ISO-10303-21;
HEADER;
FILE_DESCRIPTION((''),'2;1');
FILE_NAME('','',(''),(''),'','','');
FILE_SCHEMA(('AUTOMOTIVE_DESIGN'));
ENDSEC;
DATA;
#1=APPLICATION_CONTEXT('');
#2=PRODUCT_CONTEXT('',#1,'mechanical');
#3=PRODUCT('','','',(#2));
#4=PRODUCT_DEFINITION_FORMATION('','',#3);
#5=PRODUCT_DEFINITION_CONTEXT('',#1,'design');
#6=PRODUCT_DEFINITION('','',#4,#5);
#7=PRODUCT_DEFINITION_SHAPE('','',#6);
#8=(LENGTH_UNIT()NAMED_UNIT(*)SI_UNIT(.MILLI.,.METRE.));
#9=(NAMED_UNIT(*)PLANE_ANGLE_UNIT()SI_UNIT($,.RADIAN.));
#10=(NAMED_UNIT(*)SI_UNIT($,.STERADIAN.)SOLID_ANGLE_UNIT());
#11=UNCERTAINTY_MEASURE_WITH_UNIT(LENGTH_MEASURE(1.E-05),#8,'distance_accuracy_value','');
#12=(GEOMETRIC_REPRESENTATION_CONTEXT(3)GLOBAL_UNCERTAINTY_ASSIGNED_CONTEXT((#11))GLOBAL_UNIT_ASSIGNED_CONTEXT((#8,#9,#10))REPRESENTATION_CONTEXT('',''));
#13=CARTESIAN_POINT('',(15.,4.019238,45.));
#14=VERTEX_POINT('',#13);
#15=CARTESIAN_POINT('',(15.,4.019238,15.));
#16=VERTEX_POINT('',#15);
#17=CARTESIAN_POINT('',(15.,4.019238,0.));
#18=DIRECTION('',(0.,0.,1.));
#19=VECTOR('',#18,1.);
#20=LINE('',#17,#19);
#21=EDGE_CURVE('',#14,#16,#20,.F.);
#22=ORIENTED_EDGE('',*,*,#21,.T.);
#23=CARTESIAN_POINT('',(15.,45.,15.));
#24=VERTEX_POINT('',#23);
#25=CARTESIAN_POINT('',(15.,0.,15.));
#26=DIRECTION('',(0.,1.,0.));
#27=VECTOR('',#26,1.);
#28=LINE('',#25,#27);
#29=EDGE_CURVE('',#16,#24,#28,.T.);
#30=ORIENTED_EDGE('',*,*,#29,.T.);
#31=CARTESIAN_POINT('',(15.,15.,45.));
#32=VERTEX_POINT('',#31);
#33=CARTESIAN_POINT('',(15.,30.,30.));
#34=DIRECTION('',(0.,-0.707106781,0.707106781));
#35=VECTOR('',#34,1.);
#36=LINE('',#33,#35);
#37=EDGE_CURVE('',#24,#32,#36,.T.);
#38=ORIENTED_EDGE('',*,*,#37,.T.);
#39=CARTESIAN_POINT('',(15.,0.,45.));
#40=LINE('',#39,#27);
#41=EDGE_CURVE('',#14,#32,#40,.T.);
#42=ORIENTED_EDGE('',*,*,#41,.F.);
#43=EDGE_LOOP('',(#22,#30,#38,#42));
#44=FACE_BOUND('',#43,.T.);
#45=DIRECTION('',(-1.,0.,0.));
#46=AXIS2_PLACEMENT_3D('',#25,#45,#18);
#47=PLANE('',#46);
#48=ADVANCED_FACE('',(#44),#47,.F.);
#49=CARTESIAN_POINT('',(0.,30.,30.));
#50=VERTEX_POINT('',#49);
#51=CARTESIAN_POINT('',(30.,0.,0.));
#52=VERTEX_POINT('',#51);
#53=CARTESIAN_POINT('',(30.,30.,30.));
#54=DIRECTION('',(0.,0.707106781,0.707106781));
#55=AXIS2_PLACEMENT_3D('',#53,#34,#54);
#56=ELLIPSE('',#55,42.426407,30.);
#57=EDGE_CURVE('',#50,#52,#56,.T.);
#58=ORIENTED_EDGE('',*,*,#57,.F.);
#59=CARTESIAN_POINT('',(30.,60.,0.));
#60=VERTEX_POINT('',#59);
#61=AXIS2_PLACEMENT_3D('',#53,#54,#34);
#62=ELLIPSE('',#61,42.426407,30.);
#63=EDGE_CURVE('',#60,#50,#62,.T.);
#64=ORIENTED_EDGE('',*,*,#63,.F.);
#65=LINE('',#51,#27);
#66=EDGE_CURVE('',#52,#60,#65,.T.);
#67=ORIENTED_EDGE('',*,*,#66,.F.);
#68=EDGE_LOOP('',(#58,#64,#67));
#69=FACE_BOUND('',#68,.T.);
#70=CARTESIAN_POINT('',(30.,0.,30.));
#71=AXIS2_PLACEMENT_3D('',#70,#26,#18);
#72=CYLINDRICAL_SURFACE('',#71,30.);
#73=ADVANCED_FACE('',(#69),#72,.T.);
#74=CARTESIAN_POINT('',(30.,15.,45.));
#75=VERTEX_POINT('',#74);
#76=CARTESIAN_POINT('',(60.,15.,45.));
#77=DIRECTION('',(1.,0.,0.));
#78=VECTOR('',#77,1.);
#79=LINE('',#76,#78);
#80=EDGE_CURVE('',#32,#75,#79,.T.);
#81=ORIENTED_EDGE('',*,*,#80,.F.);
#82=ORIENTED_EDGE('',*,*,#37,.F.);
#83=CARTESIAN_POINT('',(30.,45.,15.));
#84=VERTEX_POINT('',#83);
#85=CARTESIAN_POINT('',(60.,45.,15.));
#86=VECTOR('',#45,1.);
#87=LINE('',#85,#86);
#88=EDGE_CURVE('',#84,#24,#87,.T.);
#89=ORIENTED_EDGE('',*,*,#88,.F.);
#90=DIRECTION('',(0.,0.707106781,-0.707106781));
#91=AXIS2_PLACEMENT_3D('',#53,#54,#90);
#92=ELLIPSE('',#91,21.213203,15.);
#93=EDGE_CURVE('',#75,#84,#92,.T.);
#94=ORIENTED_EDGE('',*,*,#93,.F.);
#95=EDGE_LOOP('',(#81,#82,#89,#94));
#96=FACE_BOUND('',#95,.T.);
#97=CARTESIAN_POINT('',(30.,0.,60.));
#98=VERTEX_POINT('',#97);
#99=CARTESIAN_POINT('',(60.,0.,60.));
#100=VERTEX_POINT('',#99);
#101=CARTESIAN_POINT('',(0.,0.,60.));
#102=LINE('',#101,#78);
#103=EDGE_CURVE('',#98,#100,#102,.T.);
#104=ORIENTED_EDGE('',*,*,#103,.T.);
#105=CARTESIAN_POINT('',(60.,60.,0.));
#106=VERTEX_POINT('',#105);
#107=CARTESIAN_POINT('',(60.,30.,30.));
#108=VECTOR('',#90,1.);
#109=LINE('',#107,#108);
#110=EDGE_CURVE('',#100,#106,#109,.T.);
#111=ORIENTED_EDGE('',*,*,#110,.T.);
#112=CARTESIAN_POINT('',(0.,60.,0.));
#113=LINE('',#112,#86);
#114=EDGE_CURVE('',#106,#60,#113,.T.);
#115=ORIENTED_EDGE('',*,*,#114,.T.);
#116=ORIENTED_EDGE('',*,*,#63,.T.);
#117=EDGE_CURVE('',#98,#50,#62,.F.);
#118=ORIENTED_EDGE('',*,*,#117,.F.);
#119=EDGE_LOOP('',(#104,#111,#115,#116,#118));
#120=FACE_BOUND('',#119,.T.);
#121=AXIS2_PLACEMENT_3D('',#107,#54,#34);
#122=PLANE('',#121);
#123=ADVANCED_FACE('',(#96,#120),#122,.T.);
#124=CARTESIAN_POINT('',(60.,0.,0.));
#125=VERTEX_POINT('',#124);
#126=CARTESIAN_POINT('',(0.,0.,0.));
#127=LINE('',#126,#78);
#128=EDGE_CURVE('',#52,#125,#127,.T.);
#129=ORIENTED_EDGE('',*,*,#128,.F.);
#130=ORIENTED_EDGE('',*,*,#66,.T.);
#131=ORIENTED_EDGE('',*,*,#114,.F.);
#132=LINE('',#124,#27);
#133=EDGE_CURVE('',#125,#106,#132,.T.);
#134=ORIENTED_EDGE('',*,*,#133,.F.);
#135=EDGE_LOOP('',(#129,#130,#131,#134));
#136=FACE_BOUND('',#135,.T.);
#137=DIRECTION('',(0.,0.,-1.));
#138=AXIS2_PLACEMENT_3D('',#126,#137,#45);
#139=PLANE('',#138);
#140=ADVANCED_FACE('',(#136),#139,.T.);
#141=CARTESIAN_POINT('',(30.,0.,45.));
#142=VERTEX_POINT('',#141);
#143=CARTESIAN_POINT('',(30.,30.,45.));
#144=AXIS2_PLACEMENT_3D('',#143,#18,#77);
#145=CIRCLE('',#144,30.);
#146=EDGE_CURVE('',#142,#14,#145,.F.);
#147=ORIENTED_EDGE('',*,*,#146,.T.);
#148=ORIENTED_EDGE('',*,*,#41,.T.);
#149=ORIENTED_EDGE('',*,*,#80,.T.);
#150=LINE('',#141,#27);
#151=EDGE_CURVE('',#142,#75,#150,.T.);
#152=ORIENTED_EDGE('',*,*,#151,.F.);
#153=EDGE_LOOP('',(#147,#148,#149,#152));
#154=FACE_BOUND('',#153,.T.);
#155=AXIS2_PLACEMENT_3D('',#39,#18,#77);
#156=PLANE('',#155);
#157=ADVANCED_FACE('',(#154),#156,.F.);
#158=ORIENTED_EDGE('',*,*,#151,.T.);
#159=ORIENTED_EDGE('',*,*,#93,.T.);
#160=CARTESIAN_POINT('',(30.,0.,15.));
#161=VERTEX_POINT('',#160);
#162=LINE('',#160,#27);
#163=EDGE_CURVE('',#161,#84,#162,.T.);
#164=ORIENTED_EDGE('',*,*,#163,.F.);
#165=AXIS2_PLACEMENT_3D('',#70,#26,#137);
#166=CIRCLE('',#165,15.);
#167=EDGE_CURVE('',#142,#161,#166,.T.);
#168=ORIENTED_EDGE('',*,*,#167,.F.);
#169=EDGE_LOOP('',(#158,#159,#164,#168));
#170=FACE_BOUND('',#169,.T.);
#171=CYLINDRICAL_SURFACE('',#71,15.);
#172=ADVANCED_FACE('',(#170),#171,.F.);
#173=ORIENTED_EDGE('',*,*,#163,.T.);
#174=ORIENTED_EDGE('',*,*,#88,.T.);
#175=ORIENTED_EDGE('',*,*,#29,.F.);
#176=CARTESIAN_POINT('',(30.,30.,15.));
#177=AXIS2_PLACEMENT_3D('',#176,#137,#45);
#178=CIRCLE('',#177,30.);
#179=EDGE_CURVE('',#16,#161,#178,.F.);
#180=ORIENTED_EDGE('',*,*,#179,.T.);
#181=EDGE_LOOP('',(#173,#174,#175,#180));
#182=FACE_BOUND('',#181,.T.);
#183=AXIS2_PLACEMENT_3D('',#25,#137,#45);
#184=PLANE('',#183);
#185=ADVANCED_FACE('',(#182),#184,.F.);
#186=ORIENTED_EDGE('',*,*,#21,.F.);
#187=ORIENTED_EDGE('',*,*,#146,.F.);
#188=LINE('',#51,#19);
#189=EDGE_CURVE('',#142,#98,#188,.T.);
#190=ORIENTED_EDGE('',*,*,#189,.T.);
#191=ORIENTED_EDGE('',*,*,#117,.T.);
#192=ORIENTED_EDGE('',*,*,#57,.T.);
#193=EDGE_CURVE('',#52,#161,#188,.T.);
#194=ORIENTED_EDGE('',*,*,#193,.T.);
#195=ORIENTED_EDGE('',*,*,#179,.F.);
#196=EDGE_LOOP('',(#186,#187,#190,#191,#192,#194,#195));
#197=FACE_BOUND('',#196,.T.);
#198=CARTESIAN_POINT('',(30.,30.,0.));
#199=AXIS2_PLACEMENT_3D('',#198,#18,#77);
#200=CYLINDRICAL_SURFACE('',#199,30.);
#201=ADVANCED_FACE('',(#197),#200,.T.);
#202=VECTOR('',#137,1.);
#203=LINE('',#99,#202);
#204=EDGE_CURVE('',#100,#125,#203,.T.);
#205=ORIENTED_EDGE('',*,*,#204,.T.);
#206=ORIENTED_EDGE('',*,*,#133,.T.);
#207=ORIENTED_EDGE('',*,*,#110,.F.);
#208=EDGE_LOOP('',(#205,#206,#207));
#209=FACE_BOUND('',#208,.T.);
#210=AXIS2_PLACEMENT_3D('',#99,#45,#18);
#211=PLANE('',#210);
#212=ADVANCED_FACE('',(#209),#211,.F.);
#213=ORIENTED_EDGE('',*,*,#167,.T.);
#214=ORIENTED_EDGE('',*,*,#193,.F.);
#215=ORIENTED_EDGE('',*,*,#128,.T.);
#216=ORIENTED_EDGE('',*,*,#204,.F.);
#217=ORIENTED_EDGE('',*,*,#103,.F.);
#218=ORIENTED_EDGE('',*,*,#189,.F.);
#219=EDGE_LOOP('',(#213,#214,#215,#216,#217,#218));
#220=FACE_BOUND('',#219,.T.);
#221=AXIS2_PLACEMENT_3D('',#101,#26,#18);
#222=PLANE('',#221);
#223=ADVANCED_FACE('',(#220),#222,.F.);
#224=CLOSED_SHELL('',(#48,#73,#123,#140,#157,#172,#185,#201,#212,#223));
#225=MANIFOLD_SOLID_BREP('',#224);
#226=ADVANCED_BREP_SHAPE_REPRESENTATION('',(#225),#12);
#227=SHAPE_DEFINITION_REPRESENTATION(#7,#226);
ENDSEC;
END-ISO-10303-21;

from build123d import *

# Parameters (mm, degrees)
SKETCH1_W           = 60
SKETCH1_H           = 60
BOSS_EXTRUDE1_DEPTH = 60
CUT_EXTRUDE1_DEPTH  = 60
CUT_EXTRUDE2_DEPTH  = 60
CUT_EXTRUDE3_DEPTH  = 60
CUT_EXTRUDE6_DEPTH  = 60


with BuildPart() as part:
    # Sketch1 → Boss-Extrude1 (new body)
    with BuildSketch(Plane.XY):
        with Locations((30, 30)):
            Rectangle(SKETCH1_W, SKETCH1_H)
    extrude(amount=BOSS_EXTRUDE1_DEPTH)

    # Sketch2 → Cut-Extrude1 (cut)
    with BuildSketch(Plane.XY.offset(60)):
        with BuildLine():
            ThreePointArc((0, 30), (8.786796564, 51.213203436), (30, 60))
            Line((30, 60), (0, 60))
            Line((0, 60), (0, 30))
        make_face()
        with BuildLine():
            ThreePointArc((30, 0), (8.786796564, 8.786796564), (0, 30))
            Line((0, 30), (0, 0))
            Line((0, 0), (30, 0))
        make_face()
    extrude(amount=-CUT_EXTRUDE1_DEPTH, mode=Mode.SUBTRACT)

    # Sketch3 → Cut-Extrude2 (cut)
    with BuildSketch(Plane(origin=(0, 60, 0), x_dir=(1, 0, 0), z_dir=(0, 1, 0))):
        with BuildLine():
            ThreePointArc((0, -29.999999939), (8.786796586, -8.786796543), (30, 0))
            Line((30, 0), (0, 0))
            Line((0, 0), (0, -29.999999939))
        make_face()
        with BuildLine():
            Line((0, -60), (30, -60))
            ThreePointArc((30, -60), (8.786796543, -51.213203414), (0, -29.999999939))
            Line((0, -29.999999939), (0, -60))
        make_face()
    extrude(amount=-CUT_EXTRUDE2_DEPTH, mode=Mode.SUBTRACT)

    # Sketch4 → Cut-Extrude3 (cut)
    with BuildSketch(Plane(origin=(0, 0, 0), x_dir=(0, 0, -1), z_dir=(1, 0, 0))):
        Polygon((0, 60), (-60, 60), (-60, 0), align=None)
    extrude(amount=CUT_EXTRUDE3_DEPTH, mode=Mode.SUBTRACT)

    # Sketch6 → Cut-Extrude6 (cut)
    with BuildSketch(Plane(origin=(0, 60, 0), x_dir=(1, 0, 0), z_dir=(0, 1, 0))):
        with BuildLine():
            Line((15, -15), (15, -45))
            Line((15, -45), (30, -45))
            ThreePointArc((30, -45), (45, -30), (30, -15))
            Line((30, -15), (15, -15))
        make_face()
    extrude(amount=-CUT_EXTRUDE6_DEPTH, mode=Mode.SUBTRACT)


solid = part.part
